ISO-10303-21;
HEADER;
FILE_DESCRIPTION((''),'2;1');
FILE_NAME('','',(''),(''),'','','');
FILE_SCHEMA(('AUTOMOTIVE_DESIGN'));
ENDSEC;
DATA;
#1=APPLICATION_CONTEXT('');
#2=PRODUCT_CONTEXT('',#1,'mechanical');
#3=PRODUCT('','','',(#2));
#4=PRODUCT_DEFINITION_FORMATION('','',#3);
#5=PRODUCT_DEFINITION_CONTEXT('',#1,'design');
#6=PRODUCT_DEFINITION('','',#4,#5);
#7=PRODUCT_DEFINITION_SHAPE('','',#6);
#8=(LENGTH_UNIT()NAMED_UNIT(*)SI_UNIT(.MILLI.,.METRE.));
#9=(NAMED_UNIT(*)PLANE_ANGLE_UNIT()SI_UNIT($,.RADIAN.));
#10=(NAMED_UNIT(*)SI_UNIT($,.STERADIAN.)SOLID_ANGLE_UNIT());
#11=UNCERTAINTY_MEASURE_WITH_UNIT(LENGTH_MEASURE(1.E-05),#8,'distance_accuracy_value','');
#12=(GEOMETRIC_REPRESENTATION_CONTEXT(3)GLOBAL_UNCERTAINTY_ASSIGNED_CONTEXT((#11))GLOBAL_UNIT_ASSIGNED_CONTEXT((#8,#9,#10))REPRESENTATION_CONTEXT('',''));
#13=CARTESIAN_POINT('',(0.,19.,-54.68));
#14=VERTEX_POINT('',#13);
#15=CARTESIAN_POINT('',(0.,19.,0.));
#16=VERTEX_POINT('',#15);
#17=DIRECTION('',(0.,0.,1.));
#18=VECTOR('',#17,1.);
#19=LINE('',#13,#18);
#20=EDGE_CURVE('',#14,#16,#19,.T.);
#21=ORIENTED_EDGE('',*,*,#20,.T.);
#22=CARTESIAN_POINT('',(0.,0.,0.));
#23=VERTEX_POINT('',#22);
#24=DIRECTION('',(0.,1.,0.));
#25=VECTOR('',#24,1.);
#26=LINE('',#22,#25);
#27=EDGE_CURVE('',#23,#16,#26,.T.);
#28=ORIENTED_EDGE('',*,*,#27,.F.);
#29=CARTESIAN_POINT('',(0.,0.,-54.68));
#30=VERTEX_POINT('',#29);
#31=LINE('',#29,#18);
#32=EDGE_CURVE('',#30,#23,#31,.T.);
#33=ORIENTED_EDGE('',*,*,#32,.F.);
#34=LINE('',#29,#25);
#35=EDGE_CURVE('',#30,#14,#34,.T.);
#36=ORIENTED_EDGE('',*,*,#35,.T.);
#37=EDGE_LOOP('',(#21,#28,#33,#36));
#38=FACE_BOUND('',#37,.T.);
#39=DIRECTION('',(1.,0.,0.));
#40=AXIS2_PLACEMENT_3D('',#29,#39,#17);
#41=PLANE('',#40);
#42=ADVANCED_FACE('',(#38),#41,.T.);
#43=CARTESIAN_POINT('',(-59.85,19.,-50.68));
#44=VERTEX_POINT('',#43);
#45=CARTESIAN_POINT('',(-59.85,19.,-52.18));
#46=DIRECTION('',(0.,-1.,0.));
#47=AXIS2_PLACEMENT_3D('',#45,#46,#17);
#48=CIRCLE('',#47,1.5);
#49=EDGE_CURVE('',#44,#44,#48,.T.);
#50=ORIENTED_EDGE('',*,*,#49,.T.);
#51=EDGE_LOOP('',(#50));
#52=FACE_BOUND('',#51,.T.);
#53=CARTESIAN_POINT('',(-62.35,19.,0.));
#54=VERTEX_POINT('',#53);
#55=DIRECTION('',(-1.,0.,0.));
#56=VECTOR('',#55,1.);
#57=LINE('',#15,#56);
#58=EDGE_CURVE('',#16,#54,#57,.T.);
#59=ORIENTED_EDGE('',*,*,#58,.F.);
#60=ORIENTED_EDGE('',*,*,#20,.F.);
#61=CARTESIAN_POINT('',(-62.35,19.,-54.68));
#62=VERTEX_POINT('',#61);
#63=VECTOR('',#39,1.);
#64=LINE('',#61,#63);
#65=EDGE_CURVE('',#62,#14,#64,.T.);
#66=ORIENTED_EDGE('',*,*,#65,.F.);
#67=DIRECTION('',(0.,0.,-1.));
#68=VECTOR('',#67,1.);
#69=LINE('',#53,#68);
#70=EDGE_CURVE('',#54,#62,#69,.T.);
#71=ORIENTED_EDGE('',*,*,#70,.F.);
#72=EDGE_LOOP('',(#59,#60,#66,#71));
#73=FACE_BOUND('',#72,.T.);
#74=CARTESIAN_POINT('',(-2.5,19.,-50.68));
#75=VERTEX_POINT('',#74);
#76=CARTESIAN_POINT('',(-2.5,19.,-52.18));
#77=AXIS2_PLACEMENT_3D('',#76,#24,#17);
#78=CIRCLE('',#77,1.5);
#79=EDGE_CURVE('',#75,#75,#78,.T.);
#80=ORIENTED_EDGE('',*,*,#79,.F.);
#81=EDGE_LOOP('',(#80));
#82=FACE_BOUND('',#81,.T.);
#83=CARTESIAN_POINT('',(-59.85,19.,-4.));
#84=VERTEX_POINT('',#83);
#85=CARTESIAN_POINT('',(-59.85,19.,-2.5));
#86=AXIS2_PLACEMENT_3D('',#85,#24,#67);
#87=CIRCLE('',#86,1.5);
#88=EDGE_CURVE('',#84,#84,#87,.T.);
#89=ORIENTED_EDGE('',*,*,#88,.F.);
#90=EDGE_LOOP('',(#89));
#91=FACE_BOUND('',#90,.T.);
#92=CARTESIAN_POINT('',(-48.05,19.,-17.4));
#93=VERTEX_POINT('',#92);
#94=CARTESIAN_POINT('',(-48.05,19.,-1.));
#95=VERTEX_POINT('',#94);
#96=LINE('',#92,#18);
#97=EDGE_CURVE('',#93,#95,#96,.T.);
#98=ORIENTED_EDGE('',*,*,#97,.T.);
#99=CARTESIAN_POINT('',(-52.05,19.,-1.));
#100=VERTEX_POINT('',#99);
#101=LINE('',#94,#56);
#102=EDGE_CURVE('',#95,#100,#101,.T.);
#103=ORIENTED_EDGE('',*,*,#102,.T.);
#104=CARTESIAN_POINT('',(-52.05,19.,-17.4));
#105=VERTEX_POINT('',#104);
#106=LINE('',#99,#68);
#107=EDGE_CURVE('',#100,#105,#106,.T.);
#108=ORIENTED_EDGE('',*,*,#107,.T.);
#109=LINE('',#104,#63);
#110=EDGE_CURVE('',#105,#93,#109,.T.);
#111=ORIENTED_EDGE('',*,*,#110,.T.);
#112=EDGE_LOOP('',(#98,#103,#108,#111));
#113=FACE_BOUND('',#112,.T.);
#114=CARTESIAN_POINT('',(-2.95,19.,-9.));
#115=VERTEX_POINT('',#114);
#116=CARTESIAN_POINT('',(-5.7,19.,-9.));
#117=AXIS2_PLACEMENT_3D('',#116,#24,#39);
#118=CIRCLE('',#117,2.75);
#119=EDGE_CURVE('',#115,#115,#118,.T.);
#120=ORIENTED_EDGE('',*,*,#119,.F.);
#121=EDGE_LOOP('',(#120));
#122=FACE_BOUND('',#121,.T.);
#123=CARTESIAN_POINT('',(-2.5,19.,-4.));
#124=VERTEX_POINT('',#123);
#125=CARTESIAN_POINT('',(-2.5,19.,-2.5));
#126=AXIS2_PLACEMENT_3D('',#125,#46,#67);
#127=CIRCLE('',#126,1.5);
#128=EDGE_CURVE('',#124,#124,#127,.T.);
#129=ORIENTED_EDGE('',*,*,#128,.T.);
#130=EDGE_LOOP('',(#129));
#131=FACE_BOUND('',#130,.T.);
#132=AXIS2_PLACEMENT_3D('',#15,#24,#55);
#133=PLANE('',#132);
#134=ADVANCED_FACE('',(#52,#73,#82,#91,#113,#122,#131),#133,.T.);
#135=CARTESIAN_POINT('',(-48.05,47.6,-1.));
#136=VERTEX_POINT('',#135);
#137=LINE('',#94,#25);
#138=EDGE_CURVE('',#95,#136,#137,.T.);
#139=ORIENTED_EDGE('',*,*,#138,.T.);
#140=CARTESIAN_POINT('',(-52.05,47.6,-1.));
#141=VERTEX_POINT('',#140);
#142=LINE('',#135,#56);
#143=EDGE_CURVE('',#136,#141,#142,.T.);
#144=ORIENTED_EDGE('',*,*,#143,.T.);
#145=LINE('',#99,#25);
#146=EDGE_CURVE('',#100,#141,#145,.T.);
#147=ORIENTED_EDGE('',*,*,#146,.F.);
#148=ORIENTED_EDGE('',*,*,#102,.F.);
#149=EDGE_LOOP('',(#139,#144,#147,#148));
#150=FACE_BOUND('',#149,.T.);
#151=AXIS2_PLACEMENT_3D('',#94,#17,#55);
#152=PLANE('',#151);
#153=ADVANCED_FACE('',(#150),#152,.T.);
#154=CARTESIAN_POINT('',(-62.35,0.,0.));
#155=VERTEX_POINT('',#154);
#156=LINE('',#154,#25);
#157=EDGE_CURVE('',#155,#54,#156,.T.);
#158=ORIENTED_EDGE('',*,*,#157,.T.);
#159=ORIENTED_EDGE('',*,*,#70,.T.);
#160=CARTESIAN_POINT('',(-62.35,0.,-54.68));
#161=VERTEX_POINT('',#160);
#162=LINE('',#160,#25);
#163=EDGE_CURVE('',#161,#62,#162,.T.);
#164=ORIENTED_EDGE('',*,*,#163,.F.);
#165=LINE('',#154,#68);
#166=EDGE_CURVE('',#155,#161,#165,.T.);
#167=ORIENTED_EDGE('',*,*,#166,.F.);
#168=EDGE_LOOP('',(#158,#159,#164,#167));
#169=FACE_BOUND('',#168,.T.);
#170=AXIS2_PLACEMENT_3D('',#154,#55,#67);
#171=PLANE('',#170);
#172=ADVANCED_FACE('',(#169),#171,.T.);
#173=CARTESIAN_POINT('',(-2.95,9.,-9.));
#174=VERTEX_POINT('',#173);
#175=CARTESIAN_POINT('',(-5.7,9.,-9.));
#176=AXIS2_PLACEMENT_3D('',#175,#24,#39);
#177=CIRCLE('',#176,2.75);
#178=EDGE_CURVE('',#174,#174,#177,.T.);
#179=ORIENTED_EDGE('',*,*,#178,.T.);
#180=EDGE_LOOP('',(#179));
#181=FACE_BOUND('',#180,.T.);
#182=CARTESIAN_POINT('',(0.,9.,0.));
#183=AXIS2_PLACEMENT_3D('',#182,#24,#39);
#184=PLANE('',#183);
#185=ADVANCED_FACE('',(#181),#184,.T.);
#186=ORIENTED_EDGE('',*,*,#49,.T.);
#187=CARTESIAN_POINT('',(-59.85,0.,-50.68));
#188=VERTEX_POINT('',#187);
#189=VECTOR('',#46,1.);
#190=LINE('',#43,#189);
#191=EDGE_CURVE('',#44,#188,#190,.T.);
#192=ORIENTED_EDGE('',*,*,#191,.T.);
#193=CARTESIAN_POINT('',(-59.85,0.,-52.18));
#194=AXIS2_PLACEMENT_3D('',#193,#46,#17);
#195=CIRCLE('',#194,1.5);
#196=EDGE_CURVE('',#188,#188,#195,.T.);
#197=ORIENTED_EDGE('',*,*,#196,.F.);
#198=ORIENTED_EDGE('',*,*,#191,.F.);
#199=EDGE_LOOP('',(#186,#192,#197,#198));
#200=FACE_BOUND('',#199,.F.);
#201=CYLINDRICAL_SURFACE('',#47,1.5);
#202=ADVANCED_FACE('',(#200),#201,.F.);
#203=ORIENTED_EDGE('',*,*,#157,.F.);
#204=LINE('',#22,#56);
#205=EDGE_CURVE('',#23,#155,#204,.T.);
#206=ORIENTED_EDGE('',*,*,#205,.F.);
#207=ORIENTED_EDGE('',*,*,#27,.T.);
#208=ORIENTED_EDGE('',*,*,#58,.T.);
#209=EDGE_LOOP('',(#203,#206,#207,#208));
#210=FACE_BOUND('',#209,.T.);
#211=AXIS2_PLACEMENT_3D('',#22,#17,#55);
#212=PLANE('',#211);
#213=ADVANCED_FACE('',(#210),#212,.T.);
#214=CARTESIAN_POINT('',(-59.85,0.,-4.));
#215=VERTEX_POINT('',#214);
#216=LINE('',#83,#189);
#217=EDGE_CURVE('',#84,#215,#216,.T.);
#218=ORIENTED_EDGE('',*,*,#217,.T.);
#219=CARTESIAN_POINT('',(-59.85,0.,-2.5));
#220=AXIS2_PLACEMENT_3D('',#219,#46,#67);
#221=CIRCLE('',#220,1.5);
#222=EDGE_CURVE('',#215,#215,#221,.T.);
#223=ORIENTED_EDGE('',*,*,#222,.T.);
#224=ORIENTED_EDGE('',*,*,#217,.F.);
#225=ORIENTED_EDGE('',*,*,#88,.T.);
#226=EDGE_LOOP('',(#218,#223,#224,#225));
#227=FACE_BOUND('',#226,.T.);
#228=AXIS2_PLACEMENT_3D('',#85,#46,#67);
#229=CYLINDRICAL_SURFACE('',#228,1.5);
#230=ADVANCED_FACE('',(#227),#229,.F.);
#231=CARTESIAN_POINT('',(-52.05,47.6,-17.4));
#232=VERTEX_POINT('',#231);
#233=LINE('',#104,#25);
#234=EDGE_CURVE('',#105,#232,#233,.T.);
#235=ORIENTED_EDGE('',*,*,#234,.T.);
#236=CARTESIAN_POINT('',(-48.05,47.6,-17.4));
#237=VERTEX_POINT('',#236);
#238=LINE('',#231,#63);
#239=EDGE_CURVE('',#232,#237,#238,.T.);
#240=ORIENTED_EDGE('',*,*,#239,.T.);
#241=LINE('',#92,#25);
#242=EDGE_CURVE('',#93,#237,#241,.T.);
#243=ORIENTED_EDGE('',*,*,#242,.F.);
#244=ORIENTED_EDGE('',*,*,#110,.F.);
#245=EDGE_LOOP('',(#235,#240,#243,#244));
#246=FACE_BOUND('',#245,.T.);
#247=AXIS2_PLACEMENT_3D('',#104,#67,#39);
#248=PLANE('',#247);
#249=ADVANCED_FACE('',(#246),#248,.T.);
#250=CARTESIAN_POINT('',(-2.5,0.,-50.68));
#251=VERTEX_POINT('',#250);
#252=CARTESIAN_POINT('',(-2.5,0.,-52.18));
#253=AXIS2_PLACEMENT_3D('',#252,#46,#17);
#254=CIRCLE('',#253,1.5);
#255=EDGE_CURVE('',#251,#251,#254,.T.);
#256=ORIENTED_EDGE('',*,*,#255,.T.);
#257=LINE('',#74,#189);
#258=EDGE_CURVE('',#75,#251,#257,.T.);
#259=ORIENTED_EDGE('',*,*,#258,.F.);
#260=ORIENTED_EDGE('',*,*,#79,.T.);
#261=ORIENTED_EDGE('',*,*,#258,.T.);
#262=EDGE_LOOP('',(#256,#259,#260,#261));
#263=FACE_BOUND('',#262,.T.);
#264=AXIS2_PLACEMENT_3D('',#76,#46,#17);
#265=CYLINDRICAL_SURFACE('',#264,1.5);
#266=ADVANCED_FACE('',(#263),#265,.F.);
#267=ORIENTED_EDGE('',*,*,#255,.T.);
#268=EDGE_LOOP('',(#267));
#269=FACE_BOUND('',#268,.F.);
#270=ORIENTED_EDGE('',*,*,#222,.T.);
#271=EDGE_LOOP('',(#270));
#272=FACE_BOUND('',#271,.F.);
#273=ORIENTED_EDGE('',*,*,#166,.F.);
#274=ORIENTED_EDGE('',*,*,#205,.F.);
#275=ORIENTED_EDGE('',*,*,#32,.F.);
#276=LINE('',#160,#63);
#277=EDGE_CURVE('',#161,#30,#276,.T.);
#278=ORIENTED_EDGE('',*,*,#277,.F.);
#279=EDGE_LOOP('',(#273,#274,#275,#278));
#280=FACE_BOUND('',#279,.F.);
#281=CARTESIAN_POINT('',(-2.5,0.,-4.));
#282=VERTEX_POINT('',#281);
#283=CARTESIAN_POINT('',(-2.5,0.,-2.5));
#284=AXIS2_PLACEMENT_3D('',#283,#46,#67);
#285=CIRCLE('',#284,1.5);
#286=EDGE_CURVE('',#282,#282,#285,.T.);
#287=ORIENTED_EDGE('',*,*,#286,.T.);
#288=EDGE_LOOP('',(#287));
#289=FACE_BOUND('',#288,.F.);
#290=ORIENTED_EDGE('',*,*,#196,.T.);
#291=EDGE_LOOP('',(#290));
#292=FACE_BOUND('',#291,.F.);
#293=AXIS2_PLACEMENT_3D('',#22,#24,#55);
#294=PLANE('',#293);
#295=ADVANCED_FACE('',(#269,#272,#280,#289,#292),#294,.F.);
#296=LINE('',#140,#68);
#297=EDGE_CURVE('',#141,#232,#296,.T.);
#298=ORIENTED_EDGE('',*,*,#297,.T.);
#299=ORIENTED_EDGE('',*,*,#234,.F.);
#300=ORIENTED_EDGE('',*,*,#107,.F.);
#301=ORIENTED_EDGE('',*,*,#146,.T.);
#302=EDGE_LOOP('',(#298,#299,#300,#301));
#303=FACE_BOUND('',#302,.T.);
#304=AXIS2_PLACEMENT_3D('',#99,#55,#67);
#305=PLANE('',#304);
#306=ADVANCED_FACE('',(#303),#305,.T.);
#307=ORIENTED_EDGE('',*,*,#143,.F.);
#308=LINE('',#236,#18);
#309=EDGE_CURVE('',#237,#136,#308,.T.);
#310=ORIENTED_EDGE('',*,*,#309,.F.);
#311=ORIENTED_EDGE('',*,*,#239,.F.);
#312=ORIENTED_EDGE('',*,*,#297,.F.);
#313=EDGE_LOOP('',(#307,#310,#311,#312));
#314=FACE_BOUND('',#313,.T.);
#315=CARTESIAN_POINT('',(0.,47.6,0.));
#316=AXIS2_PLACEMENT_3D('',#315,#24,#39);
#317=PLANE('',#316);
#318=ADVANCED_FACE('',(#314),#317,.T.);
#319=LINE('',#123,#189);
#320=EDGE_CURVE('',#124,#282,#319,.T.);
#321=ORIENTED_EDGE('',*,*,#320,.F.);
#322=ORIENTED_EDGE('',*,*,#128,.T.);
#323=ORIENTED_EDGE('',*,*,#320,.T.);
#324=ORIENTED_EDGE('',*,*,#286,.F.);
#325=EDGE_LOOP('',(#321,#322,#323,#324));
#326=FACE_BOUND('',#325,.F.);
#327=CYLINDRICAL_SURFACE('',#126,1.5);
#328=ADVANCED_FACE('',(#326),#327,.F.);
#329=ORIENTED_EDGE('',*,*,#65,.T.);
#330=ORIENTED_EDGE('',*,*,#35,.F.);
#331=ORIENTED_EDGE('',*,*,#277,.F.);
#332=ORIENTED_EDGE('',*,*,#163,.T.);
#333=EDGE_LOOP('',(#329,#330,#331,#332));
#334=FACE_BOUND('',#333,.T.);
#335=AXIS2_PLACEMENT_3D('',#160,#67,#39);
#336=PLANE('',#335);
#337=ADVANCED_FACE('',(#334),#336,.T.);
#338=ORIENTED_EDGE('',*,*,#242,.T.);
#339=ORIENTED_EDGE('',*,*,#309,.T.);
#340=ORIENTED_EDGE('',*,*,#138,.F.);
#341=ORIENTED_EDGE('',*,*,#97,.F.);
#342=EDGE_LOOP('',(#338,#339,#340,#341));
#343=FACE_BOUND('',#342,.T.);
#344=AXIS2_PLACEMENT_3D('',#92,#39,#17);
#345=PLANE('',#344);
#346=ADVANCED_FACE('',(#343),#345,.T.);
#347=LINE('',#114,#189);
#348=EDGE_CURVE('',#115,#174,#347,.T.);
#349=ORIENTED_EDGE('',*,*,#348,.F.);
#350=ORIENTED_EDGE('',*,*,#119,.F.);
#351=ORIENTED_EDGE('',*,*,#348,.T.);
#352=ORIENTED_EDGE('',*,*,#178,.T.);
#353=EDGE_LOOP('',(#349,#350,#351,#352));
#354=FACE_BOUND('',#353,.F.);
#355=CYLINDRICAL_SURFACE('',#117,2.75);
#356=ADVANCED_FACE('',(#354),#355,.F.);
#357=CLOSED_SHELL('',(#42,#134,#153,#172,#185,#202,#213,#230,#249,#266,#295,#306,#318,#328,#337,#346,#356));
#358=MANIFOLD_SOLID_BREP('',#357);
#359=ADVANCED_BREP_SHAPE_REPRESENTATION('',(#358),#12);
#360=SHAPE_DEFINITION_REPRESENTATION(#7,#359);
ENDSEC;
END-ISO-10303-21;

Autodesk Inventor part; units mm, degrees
ref_plane "YZ Plane" through (0, 0, 0) normal (1, 0, 0) x (0, 1, 0)
ref_plane "XZ Plane" through (0, 0, 0) normal (0, 1, 0) x (-1, 0, 0)
ref_plane "XY Plane" through (0, 0, 0) normal (0, 0, 1) x (1, 0, 0)
sketch "Sketch1" plane through (0, 0, 0) normal (0, 1, 0) x (-1, 0, 0)
  line L0 (0, 0) -> (62.35, 0)
  line L1 (62.35, 0) -> (62.35, -54.68)
  line L2 (62.35, -54.68) -> (0, -54.68)
  line L3 (0, -54.68) -> (0, 0)
  dimension "d0" = 54.68
  dimension "d1" = 62.35
extrude "Extrusion1" add sketch "Sketch1" along normal blind 19
sketch "Sketch2" plane through (0, 19, 0) normal (0, 1, 0) x (1, 0, 0)
  line L0 (-62.35, 54.68) -> (-62.35, 0) projected
  line L1 (0, 54.68) -> (-62.35, 54.68) projected
  point P0 (0, 0)
  point P1 (-59.85, 52.18)
  dimension "d4" = 2.5
  dimension "d5" = 2.5
hole "Hole1" at (-59.85, 19, -52.18) direction (0, -1, 0) diameter 3 end through all
ref_plane "Work Plane1" through (-62.35, 0, -27.34) normal (0, 0, 1) x (1, 0, 0)
ref_plane "Work Plane2" through (-31.175, 0, 0) normal (1, 0, 0) x (0, 0, -1)
mirror "Mirror1" about plane through (-62.35, 0, -27.34) normal (0, 0, 1) of "Hole1"
mirror "Mirror2" about plane through (-31.175, 0, 0) normal (1, 0, 0) of "Hole1", "Mirror1"
sketch "Sketch3" plane through (0, 19, 0) normal (0, 1, 0) x (1, 0, 0)
  line L0 (-48.05, 1) -> (-52.05, 1)
  line L1 (-52.05, 1) -> (-52.05, 17.4)
  line L2 (-52.05, 17.4) -> (-48.05, 17.4)
  line L3 (-48.05, 17.4) -> (-48.05, 1)
  line L4 (-62.35, 0) -> (0, 0) projected
  line L5 (-62.35, 54.68) -> (-62.35, 0) projected
  dimension "d13" = 4
  dimension "d14" = 16.4
  dimension "d15" = 1
  dimension "d16" = 10.3
extrude "Extrusion2" add sketch "Sketch3" along normal blind 28.6
sketch "Sketch4" plane through (0, 19, 0) normal (0, 1, 0) x (1, 0, 0)
  circle A0 centre (-5.7, 9) radius 2.75
  line L0 (-62.35, 0) -> (0, 0) projected
  line L1 (0, 0) -> (0, 54.68) projected
  dimension "d19" = 5.5
  dimension "d20" = 9
  dimension "d21" = 5.7
extrude "Extrusion3" cut sketch "Sketch4" against normal blind 10
equation "\"d5\" = d4"
properties part number "board"
